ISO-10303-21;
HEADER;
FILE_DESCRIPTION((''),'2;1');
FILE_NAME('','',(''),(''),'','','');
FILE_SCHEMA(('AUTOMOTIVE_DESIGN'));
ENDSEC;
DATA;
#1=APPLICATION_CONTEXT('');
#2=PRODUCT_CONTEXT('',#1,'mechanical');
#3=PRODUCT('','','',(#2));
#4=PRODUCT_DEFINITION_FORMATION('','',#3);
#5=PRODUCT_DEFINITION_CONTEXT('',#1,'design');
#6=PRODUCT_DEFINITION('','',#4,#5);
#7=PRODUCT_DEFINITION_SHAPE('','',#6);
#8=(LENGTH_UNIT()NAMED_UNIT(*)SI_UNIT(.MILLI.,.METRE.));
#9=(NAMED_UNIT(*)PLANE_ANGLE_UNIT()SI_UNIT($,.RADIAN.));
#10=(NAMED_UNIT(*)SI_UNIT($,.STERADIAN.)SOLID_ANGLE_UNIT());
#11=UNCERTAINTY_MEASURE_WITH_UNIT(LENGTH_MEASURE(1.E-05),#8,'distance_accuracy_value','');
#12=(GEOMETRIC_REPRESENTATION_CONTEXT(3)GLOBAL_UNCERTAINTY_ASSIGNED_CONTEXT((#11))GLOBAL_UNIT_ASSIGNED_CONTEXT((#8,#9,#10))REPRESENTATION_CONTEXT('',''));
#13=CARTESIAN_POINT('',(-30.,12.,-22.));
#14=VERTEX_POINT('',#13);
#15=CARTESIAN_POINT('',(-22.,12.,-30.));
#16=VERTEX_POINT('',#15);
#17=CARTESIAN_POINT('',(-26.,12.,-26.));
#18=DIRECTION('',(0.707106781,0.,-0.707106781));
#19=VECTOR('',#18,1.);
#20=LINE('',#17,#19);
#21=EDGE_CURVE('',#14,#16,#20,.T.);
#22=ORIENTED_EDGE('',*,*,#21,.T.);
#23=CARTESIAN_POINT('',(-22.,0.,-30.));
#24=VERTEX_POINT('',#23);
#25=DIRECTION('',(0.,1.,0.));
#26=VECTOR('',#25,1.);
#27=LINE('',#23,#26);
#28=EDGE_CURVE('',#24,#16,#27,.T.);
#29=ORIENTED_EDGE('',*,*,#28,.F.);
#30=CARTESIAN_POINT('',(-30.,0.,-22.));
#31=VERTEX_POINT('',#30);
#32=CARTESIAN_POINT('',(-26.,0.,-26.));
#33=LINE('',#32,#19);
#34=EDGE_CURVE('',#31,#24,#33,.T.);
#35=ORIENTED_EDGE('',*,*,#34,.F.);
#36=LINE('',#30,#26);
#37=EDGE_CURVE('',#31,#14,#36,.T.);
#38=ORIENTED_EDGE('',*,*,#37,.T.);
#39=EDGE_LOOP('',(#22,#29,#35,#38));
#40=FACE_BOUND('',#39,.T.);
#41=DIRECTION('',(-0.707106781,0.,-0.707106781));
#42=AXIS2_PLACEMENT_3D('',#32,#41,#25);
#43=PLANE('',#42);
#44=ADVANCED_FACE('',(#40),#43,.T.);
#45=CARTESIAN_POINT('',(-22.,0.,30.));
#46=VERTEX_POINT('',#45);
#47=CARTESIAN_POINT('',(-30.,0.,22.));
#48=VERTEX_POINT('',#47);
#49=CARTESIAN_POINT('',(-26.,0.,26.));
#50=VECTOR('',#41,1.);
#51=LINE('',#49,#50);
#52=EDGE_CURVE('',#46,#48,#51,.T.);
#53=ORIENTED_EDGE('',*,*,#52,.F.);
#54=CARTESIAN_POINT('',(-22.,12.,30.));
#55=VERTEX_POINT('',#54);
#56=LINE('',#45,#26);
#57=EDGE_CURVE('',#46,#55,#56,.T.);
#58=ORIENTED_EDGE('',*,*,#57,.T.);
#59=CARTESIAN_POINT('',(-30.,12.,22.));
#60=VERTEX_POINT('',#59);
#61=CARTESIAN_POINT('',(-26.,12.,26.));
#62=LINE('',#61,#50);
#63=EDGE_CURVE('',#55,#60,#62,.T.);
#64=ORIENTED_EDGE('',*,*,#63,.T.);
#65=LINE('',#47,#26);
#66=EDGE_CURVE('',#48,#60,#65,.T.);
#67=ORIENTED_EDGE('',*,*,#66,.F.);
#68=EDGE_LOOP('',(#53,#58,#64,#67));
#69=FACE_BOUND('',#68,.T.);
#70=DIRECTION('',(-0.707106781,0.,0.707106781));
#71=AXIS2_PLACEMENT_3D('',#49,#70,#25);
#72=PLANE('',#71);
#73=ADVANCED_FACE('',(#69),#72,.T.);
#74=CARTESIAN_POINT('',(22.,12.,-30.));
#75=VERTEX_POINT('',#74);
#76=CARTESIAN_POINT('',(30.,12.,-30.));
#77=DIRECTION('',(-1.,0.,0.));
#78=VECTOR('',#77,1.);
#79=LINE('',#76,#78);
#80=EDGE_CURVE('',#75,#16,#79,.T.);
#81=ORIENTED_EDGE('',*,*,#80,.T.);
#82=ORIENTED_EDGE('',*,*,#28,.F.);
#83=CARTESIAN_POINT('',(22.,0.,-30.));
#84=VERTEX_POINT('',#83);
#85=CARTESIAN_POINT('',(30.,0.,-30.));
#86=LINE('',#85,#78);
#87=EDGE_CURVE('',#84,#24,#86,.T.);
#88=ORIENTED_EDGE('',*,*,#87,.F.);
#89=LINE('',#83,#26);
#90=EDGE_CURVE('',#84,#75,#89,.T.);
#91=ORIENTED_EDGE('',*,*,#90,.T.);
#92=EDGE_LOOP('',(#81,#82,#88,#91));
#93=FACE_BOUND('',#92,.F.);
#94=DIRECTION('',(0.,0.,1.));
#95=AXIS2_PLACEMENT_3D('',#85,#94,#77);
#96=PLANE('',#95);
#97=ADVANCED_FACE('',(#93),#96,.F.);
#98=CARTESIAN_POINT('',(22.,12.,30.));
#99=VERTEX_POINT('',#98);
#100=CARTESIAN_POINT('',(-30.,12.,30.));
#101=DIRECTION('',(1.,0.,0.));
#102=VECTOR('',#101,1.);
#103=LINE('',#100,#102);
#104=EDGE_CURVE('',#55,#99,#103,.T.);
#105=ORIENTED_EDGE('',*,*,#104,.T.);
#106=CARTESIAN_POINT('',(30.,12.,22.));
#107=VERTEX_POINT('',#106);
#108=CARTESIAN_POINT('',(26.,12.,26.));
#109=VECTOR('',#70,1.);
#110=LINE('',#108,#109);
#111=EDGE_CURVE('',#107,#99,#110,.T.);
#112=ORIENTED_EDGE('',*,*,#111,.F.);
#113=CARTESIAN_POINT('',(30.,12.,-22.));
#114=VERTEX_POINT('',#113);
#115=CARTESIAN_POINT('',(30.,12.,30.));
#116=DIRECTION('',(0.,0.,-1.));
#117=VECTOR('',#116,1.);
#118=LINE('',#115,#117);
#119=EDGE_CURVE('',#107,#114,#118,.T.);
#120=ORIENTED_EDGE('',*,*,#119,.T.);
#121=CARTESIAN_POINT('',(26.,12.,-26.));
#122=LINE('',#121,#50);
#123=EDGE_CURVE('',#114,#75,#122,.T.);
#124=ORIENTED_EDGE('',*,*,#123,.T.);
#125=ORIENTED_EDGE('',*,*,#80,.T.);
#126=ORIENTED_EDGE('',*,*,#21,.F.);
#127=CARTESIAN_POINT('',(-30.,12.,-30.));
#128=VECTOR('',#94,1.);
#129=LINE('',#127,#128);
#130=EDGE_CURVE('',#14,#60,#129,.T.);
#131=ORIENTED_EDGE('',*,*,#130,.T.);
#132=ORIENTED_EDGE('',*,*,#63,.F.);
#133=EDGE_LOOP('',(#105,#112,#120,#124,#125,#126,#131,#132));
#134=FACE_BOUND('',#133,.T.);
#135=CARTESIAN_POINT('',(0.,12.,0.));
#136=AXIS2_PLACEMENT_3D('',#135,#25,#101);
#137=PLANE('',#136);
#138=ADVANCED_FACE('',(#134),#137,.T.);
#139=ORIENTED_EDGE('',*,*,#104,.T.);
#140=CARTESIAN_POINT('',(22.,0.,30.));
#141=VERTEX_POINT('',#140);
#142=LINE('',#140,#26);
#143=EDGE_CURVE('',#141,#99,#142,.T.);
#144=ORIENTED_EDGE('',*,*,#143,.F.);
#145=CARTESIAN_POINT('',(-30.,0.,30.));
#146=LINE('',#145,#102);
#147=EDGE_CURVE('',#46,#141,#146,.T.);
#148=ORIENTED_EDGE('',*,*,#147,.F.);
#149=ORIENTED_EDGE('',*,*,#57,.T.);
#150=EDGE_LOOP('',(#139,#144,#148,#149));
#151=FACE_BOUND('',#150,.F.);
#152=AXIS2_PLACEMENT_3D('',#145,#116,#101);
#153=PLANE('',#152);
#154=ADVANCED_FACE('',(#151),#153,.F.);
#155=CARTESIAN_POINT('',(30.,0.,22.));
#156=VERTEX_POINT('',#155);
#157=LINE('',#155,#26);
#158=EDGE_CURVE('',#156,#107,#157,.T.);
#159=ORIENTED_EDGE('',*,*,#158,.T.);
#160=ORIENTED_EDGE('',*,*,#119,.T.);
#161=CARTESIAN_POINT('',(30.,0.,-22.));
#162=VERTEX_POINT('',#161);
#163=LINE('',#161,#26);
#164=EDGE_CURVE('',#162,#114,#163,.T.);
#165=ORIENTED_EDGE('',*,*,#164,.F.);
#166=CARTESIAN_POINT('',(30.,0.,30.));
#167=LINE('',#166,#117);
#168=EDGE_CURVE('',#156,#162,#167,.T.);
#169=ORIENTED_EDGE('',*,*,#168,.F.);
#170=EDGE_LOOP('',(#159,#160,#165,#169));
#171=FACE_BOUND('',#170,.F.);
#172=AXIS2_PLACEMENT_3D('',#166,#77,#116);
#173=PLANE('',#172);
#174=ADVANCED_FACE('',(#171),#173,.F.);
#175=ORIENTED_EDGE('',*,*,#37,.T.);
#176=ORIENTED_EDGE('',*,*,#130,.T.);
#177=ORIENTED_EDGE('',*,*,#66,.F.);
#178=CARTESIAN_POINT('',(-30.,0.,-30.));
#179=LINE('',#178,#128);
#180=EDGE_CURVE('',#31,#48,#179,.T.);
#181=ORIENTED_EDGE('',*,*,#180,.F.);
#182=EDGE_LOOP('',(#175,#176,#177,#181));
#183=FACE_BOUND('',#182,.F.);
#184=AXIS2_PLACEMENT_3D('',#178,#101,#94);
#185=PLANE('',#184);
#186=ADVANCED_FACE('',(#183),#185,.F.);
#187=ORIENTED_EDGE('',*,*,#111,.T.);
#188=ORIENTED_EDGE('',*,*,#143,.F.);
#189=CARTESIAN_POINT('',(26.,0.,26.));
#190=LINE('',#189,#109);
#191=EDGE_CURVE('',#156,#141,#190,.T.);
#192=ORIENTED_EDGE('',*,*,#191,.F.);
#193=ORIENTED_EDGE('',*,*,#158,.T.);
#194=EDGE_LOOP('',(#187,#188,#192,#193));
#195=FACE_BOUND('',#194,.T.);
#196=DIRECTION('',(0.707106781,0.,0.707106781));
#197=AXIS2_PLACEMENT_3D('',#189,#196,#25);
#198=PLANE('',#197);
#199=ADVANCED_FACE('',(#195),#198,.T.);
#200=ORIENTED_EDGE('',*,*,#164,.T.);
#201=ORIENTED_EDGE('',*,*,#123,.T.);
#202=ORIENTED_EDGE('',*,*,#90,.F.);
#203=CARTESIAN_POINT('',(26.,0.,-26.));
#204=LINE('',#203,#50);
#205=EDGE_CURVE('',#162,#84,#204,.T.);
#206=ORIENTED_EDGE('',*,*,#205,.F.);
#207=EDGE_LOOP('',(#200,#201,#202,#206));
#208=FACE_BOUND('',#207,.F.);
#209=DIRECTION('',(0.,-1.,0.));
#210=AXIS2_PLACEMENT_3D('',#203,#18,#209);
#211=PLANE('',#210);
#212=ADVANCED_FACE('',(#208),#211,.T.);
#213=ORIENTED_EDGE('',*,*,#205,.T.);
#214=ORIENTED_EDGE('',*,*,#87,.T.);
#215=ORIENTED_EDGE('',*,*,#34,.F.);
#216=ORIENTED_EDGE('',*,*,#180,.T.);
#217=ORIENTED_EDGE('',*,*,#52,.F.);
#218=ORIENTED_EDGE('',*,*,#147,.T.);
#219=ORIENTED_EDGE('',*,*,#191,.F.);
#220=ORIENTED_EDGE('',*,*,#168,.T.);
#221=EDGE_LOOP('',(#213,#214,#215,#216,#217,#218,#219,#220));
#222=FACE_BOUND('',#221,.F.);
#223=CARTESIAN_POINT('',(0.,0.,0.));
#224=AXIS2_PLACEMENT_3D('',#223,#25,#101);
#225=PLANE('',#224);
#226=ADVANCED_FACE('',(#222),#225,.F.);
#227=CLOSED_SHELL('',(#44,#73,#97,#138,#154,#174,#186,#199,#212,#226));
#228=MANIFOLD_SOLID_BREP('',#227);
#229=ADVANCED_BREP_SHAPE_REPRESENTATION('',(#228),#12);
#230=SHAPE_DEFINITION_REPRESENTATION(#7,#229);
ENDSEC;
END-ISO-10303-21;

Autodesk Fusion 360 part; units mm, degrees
sketch "Sketch1" plane through (0, 0, 0) normal (0, 1, 0) x (1, 0, 0)
  line L0 (30, 30) -> (-30, 30)
  line L1 (-30, 30) -> (-30, -30)
  line L2 (-30, -30) -> (30, -30)
  line L3 (30, -30) -> (30, 30)
  line L4 (30, 30) -> (-30, -30) construction
  line L5 (-30, 30) -> (30, -30) construction
  dimension "d1" = 60
  dimension "d2" = 60
extrude "Extrude1" add sketch "Sketch1" along normal blind 12
chamfer "Chamfer1" distance 8 angle 45 1 edges at (30, 6, 30)
chamfer "Chamfer2" distance 8 angle 45 1 edges at (30, 6, -30)
chamfer "Chamfer3" distance 8 angle 45 1 edges at (-30, 6, 30)
chamfer "Chamfer4" distance 8 angle 45 1 edges at (-30, 6, -30)
